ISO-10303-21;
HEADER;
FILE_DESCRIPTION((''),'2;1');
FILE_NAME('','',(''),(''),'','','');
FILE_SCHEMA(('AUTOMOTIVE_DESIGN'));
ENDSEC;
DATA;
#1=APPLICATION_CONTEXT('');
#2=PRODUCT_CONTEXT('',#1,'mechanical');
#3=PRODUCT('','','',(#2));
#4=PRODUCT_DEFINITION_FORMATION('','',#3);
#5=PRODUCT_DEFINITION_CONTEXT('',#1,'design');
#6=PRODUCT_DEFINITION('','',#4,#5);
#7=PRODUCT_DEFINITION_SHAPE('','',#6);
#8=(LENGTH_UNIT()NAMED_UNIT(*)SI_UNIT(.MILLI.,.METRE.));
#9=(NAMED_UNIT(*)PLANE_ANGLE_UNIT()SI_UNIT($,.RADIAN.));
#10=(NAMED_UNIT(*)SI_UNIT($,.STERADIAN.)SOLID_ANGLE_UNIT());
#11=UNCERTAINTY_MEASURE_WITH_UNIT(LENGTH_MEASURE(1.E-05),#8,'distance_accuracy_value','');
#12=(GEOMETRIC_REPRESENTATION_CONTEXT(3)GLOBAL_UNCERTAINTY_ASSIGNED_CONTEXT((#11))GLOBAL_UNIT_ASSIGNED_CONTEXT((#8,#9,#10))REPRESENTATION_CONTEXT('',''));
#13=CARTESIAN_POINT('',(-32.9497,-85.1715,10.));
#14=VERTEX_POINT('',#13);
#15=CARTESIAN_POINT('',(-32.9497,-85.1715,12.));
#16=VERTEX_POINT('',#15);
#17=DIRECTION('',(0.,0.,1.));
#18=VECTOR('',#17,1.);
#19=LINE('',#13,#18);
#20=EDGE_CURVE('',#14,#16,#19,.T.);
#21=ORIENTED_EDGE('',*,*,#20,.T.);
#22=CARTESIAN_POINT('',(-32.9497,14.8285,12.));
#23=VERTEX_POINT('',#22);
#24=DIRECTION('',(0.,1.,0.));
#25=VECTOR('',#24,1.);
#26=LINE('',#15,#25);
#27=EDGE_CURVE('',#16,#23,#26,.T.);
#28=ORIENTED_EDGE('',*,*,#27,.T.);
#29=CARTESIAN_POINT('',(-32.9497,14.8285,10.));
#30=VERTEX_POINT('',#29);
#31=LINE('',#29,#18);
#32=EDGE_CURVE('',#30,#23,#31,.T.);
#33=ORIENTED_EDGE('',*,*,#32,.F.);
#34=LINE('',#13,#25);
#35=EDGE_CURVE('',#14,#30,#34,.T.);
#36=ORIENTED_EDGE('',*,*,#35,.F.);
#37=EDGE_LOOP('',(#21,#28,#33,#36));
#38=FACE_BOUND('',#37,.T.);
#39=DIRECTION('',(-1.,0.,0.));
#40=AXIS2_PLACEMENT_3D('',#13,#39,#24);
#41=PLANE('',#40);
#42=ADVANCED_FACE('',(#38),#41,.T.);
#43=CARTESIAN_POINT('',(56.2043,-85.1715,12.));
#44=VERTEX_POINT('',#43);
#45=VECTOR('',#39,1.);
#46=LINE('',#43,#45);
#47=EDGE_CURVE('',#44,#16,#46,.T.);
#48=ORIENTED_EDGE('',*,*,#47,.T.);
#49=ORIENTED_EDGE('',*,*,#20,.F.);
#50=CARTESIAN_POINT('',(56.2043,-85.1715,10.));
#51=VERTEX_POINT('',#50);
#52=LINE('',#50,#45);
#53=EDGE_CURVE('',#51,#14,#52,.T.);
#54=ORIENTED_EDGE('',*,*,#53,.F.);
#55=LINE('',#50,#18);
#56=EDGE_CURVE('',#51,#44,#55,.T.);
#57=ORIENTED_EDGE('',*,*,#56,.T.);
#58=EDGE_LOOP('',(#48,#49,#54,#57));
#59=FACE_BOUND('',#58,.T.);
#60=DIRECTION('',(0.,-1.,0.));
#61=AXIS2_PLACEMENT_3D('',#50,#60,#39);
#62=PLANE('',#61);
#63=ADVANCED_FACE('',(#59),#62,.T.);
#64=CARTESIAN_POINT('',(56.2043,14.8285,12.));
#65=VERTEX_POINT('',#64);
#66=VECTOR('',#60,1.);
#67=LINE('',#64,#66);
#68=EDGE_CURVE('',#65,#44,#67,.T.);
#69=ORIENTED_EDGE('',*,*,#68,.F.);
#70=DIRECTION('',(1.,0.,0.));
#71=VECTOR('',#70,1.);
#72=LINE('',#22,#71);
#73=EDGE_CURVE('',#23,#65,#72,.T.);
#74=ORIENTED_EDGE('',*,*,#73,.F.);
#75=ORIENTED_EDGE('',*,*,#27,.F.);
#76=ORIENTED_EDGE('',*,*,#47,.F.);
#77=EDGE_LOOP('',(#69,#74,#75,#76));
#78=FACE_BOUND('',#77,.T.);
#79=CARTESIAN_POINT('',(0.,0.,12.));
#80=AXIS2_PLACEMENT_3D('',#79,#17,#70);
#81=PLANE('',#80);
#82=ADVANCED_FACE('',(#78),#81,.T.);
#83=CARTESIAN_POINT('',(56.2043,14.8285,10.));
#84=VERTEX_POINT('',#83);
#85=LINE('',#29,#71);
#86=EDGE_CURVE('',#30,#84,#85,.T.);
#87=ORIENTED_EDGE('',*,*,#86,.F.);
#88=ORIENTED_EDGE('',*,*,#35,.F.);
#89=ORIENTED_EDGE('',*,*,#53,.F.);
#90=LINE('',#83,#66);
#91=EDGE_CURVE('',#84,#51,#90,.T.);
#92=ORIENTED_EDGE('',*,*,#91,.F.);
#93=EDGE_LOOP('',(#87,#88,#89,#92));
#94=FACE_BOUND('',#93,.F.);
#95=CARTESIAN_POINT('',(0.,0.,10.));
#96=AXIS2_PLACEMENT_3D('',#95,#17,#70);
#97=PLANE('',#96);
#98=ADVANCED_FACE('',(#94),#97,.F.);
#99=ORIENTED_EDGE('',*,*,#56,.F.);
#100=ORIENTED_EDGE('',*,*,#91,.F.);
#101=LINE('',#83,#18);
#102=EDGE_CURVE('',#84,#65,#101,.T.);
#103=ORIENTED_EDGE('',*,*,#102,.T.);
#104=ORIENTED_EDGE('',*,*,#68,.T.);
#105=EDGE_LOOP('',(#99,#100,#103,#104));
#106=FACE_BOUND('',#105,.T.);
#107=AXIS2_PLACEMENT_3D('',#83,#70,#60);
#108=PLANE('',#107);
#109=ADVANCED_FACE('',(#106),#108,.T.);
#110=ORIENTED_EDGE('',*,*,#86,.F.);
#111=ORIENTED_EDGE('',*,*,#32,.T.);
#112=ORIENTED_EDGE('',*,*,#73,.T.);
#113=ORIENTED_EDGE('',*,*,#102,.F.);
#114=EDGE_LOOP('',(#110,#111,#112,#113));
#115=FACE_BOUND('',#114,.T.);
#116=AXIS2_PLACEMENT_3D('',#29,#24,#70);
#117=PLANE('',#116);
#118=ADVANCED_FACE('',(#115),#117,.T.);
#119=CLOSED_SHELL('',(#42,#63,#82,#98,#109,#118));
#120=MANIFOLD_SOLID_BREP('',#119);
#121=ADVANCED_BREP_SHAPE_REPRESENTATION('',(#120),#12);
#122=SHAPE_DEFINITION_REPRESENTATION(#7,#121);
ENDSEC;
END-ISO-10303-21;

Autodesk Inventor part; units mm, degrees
ref_plane "YZ Plane" through (0, 0, 0) normal (1, 0, 0) x (0, 1, 0)
ref_plane "XZ Plane" through (0, 0, 0) normal (0, 1, 0) x (-1, 0, 0)
ref_plane "XY Plane" through (0, 0, 0) normal (0, 0, 1) x (1, 0, 0)
ref_plane "Work Plane1" through (0, 0, 10) normal (0, 0, 1) x (1, 0, 0)
sketch "Sketch1" plane through (0, 0, 10) normal (0, 0, 1) x (1, 0, 0)
  line L0 (-32.9497, 14.8285) -> (56.2043, 14.8285)
  line L1 (56.2043, 14.8285) -> (56.2043, -85.1715)
  line L2 (56.2043, -85.1715) -> (-32.9497, -85.1715)
  line L3 (-32.9497, -85.1715) -> (-32.9497, 14.8285)
  point P0 (0, 0)
  dimension "d0" = 89.154
  dimension "d1" = 100
extrude "Extrusion1" add sketch "Sketch1" along normal blind 2
properties part number "Base de CObre"
